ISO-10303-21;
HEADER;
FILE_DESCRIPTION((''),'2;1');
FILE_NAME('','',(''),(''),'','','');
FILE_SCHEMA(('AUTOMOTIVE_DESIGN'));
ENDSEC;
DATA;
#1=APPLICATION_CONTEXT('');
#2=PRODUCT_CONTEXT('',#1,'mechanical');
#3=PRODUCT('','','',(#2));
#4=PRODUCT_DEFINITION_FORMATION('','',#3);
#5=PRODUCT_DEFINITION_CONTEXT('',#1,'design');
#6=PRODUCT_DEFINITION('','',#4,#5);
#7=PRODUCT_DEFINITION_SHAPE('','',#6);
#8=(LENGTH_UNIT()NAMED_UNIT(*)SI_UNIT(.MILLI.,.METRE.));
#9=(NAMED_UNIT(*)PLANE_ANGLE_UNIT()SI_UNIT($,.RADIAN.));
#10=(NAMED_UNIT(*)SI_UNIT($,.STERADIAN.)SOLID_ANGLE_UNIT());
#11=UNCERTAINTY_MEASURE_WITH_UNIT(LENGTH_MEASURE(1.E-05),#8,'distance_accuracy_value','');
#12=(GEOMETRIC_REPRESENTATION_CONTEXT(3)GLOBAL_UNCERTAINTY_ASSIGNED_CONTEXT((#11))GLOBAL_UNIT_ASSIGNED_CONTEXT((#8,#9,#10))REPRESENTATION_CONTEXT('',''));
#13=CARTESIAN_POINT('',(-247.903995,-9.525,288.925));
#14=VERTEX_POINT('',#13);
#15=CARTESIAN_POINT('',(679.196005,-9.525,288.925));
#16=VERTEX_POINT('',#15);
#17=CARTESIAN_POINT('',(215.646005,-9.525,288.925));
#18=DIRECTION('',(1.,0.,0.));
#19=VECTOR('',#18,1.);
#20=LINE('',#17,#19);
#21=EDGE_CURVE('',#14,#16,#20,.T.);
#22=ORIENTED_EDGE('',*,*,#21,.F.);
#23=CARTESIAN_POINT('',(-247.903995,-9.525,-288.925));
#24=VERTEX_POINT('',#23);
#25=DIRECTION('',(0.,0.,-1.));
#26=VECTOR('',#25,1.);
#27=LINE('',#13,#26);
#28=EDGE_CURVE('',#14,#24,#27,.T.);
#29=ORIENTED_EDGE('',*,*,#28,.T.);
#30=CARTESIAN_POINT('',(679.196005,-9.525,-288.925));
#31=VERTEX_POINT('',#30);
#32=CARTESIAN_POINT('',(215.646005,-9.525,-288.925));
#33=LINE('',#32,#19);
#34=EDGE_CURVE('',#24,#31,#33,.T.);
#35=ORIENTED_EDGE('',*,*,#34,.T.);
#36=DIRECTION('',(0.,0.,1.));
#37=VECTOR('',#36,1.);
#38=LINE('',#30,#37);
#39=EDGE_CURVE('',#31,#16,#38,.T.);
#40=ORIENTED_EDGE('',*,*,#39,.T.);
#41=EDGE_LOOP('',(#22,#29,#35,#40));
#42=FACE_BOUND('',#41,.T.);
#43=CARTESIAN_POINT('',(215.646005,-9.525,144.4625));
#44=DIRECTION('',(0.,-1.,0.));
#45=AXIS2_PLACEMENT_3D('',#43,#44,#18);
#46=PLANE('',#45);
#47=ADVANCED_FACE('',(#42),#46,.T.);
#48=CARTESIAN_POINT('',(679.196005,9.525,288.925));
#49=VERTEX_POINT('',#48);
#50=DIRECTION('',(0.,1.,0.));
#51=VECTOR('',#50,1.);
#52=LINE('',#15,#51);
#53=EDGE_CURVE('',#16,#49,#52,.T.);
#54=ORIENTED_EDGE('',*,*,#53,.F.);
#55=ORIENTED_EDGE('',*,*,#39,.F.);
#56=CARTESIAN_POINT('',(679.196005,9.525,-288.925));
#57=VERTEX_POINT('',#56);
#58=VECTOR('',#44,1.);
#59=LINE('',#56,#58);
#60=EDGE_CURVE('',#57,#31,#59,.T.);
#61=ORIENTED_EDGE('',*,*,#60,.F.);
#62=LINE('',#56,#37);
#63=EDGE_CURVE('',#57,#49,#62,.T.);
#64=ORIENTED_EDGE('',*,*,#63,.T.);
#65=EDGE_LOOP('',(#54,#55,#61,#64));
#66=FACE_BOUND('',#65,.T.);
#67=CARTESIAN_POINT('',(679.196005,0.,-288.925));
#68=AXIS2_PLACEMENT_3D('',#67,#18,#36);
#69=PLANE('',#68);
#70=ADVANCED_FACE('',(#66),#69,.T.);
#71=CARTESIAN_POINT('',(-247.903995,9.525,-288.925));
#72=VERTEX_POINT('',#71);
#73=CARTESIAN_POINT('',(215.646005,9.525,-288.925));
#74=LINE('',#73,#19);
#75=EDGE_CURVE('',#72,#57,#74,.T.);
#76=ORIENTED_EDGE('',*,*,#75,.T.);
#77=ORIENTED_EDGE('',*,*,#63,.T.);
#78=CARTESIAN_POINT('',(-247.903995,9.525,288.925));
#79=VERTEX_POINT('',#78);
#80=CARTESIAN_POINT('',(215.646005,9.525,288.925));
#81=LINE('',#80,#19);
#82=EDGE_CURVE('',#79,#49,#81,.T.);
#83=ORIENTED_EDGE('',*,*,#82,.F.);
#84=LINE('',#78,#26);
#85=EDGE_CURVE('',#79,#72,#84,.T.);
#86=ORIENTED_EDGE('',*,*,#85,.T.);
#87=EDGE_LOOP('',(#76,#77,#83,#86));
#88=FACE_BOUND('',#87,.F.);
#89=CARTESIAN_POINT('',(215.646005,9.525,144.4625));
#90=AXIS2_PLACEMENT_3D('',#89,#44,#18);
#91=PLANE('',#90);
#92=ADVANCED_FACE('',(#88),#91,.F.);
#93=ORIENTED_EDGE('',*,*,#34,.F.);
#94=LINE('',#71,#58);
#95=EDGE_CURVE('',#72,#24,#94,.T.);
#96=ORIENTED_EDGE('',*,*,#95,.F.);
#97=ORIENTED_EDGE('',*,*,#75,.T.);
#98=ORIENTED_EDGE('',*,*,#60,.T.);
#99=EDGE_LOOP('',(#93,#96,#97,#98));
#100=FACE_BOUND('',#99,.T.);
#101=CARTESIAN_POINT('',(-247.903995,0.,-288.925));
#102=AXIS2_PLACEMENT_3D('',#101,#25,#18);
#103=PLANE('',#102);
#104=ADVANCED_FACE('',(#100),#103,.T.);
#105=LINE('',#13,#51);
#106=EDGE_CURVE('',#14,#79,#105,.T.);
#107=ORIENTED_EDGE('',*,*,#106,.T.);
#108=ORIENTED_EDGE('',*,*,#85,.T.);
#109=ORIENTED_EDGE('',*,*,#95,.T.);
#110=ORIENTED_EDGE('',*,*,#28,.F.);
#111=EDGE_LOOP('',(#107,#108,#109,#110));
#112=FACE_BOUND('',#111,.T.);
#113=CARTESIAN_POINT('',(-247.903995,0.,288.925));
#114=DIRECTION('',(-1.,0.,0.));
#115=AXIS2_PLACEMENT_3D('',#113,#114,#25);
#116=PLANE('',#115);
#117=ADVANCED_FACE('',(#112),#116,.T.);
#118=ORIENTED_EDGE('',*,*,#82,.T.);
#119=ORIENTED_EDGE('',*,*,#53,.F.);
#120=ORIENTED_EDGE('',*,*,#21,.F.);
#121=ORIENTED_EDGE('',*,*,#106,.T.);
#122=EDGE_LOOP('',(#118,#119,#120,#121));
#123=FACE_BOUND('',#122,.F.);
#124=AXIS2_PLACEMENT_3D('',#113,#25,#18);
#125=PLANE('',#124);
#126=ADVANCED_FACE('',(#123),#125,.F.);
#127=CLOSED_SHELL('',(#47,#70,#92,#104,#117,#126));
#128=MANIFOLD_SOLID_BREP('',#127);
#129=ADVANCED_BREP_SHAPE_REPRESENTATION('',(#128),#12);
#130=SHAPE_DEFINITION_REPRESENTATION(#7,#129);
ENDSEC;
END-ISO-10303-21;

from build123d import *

# Parameters (mm, degrees)
F0_W     = 927.1
F0_H     = 288.925
F1_DEPTH = 9.525


with BuildPart() as f1:
    # F0 (on Front) → F1 (new body, symmetric)
    with BuildSketch(Plane.XZ):
        with Locations((215.6460046741, 144.4625)):
            Rectangle(F0_W, F0_H)
        with Locations((215.6460046741, -144.4625)):
            Rectangle(F0_W, F0_H)
    extrude(amount=F1_DEPTH, both=True)


solid = f1.part
